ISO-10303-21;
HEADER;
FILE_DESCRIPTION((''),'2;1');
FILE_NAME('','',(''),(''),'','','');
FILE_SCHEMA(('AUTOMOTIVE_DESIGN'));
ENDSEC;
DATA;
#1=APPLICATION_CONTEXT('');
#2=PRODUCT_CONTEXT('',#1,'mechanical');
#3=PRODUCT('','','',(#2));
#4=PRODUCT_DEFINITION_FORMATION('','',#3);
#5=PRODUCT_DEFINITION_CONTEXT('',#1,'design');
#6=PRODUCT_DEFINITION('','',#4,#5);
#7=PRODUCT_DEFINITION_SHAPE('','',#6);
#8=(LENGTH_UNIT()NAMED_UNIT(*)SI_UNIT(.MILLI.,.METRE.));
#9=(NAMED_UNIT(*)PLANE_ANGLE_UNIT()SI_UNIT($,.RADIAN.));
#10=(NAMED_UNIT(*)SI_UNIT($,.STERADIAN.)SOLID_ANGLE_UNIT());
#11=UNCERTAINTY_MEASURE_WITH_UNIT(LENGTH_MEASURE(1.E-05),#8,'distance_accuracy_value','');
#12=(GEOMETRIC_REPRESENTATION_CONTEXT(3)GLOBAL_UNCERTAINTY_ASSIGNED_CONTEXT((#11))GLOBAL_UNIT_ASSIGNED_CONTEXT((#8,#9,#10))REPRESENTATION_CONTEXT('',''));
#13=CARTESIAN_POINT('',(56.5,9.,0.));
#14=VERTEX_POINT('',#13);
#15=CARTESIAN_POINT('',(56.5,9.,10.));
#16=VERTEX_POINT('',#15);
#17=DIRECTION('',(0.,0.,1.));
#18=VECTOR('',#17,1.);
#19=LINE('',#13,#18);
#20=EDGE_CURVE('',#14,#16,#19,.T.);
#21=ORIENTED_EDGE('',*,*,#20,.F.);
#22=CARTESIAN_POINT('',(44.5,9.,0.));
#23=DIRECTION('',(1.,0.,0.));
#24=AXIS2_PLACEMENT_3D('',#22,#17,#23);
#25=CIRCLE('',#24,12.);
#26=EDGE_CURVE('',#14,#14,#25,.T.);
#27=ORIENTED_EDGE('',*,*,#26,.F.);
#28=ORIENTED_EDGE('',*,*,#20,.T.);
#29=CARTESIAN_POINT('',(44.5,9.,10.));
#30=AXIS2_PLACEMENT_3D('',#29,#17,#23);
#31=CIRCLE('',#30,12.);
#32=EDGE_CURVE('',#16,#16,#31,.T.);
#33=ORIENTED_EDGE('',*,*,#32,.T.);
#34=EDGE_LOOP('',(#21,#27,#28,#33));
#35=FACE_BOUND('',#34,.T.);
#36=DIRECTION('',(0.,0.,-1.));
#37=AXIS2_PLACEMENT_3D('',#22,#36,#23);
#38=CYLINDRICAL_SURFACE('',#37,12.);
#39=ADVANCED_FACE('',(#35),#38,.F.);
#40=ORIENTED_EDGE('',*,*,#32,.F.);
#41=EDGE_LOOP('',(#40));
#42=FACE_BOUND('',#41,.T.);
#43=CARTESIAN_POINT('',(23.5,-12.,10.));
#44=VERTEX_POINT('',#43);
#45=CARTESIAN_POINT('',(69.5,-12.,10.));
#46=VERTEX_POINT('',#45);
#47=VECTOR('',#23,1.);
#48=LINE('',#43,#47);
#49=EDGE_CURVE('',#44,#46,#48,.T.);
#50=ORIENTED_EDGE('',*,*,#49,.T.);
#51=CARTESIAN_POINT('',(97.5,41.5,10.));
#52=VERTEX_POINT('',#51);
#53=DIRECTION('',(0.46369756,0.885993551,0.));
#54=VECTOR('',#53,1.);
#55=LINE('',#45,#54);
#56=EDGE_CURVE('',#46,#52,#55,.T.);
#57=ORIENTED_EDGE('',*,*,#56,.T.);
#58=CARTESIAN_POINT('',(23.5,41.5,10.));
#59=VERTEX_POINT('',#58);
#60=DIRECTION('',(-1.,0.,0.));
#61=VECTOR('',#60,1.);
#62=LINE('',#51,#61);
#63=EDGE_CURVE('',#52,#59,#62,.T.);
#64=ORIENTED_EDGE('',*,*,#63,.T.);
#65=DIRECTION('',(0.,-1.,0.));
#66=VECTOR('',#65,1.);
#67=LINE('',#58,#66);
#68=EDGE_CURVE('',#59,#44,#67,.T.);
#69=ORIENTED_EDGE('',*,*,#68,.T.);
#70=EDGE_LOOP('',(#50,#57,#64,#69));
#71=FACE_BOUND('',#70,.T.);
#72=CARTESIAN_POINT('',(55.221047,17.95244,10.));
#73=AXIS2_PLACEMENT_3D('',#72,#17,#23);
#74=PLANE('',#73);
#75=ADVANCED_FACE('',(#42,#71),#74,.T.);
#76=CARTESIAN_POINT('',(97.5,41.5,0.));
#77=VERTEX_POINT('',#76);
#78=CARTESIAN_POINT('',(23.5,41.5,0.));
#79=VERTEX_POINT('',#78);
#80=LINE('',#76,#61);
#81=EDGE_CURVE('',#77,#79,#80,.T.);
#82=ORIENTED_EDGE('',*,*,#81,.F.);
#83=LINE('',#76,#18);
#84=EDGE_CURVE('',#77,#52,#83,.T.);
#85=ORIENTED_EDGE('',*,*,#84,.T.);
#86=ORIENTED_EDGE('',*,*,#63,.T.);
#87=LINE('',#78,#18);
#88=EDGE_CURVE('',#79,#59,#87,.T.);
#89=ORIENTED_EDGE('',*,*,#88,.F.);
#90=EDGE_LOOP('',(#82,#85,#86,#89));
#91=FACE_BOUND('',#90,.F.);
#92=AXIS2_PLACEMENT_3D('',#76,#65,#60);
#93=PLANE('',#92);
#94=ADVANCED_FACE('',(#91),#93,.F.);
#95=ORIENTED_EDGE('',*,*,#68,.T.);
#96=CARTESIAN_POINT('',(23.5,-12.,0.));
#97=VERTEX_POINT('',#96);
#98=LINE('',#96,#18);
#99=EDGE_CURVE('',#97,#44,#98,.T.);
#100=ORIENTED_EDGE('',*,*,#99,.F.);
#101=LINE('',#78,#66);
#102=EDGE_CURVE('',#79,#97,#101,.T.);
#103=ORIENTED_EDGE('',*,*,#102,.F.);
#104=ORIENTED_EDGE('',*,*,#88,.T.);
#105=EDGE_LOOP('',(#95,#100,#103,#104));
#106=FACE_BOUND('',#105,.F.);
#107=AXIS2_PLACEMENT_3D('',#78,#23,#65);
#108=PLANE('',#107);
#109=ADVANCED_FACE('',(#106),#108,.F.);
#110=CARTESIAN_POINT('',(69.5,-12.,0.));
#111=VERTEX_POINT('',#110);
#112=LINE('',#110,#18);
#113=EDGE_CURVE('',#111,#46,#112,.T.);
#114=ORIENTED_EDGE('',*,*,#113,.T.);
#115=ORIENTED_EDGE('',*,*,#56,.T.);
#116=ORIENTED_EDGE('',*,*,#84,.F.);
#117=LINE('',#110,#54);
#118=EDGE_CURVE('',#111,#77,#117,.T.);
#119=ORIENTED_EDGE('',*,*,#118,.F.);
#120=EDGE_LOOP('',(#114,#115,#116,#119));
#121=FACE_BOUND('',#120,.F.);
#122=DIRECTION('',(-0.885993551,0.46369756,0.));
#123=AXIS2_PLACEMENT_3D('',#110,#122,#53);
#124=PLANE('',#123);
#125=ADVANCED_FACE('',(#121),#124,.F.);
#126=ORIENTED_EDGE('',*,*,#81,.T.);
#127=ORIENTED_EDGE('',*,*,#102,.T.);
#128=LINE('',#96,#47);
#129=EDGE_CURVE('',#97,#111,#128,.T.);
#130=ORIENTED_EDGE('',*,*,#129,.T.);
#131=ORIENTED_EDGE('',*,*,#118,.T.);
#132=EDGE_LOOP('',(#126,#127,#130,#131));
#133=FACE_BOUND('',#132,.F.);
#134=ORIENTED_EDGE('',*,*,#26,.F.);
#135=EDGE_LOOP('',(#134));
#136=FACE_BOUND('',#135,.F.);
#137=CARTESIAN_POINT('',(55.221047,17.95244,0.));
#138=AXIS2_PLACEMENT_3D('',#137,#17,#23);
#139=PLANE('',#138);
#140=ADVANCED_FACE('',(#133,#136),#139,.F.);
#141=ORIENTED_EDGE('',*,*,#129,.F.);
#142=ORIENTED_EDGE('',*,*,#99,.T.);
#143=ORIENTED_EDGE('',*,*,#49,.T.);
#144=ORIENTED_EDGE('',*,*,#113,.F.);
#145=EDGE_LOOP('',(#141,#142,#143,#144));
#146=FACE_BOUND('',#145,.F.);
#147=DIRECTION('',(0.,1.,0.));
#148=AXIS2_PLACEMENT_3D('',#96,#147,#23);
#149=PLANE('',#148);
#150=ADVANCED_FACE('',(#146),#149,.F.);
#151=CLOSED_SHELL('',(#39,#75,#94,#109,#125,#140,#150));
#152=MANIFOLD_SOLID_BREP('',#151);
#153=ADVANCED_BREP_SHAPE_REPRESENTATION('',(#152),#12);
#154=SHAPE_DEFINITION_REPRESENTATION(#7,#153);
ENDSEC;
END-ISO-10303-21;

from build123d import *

# Parameters (mm, degrees)
CYLINDER020_R     = 12
CYLINDER020_DEPTH = 10
PAD002_DEPTH      = 10


with BuildPart() as cylinder020:
    # Cylinder020 → Cylinder020 (new body)
    with BuildSketch(Plane(origin=(44.5, 9, 0), x_dir=(1, 0, 0), z_dir=(0, 0, 1))):
        Circle(CYLINDER020_R)
    extrude(amount=CYLINDER020_DEPTH)


with BuildPart() as left_ref:
    # Sketch002 → Pad002 (new body)
    with BuildSketch(Plane.XY):
        Polygon((97.5, 41.5), (23.5, 41.5), (23.5, -12), (69.5, -12), align=None)
    extrude(amount=PAD002_DEPTH)

    # Cut001002: cut Cylinder020
    add(cylinder020.part, mode=Mode.SUBTRACT)


solid = left_ref.part
